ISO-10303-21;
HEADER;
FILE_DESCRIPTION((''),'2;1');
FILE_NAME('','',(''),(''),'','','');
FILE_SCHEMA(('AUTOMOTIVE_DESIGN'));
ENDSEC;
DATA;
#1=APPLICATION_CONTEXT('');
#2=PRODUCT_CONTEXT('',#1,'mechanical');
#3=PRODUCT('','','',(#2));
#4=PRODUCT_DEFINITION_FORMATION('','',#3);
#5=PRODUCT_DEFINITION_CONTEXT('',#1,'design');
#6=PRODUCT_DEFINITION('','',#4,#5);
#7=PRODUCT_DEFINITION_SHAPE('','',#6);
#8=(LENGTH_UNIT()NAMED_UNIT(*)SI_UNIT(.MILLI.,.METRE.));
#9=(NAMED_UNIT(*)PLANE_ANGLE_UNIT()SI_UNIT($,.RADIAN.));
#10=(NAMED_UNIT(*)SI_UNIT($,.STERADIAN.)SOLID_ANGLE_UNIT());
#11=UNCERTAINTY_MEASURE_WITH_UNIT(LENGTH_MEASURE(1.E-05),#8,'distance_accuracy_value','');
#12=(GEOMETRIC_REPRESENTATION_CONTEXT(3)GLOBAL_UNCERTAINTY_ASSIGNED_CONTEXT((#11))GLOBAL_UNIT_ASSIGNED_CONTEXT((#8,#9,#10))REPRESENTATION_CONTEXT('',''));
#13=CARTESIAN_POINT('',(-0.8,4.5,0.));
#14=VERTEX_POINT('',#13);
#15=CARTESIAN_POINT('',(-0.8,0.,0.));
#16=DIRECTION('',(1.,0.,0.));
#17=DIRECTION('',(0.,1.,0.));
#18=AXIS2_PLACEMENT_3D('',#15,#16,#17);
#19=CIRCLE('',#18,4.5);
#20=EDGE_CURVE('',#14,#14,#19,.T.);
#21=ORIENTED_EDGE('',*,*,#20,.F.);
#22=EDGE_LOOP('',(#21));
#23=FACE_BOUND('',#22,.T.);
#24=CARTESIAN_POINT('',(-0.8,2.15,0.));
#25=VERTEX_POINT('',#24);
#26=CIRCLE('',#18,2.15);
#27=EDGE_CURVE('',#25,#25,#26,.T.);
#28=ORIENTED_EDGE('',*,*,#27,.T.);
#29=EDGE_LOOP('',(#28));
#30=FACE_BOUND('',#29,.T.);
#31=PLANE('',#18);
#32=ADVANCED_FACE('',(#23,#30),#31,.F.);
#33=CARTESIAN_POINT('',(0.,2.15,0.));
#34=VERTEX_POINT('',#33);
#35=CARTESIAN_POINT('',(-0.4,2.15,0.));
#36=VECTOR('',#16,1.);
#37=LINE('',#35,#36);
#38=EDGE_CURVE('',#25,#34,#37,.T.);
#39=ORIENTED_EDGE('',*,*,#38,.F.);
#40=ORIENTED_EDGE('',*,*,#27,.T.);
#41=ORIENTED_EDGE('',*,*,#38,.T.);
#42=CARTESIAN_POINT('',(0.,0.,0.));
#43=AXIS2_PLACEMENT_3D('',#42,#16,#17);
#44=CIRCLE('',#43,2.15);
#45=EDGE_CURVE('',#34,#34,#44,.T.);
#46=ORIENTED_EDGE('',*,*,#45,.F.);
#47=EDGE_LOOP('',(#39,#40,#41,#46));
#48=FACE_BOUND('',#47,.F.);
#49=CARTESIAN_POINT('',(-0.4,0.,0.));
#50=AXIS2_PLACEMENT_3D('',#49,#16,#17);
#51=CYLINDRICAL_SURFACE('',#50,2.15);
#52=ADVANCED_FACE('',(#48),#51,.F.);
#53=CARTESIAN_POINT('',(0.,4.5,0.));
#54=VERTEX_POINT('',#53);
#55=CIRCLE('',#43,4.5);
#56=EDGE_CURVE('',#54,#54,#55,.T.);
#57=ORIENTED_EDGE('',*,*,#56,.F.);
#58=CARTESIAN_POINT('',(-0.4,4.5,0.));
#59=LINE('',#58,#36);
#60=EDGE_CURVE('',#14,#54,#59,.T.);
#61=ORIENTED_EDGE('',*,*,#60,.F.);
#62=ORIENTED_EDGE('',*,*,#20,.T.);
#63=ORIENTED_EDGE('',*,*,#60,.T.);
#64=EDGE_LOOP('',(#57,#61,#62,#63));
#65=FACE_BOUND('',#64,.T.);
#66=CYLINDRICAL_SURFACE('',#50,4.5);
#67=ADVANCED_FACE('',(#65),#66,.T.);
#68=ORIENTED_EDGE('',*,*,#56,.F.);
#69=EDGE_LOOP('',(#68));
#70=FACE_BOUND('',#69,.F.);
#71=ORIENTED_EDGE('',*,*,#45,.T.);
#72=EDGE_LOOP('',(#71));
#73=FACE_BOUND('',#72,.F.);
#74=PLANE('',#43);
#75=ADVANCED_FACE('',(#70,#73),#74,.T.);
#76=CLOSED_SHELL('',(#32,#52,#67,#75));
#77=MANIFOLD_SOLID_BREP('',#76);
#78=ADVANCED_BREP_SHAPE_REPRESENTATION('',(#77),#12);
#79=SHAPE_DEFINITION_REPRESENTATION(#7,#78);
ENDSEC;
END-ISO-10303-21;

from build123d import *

# Parameters (mm, degrees)
SKETCH1_W = 0.8
SKETCH1_H = 2.35


with BuildPart() as part:
    # Sketch1 → Base-Revolve (revolve)
    with BuildSketch(Plane.XY):
        with Locations((-0.4, 3.325)):
            Rectangle(SKETCH1_W, SKETCH1_H)
    revolve(axis=Axis((-34.925, 0, 0), (1, 0, 0)))


solid = part.part
